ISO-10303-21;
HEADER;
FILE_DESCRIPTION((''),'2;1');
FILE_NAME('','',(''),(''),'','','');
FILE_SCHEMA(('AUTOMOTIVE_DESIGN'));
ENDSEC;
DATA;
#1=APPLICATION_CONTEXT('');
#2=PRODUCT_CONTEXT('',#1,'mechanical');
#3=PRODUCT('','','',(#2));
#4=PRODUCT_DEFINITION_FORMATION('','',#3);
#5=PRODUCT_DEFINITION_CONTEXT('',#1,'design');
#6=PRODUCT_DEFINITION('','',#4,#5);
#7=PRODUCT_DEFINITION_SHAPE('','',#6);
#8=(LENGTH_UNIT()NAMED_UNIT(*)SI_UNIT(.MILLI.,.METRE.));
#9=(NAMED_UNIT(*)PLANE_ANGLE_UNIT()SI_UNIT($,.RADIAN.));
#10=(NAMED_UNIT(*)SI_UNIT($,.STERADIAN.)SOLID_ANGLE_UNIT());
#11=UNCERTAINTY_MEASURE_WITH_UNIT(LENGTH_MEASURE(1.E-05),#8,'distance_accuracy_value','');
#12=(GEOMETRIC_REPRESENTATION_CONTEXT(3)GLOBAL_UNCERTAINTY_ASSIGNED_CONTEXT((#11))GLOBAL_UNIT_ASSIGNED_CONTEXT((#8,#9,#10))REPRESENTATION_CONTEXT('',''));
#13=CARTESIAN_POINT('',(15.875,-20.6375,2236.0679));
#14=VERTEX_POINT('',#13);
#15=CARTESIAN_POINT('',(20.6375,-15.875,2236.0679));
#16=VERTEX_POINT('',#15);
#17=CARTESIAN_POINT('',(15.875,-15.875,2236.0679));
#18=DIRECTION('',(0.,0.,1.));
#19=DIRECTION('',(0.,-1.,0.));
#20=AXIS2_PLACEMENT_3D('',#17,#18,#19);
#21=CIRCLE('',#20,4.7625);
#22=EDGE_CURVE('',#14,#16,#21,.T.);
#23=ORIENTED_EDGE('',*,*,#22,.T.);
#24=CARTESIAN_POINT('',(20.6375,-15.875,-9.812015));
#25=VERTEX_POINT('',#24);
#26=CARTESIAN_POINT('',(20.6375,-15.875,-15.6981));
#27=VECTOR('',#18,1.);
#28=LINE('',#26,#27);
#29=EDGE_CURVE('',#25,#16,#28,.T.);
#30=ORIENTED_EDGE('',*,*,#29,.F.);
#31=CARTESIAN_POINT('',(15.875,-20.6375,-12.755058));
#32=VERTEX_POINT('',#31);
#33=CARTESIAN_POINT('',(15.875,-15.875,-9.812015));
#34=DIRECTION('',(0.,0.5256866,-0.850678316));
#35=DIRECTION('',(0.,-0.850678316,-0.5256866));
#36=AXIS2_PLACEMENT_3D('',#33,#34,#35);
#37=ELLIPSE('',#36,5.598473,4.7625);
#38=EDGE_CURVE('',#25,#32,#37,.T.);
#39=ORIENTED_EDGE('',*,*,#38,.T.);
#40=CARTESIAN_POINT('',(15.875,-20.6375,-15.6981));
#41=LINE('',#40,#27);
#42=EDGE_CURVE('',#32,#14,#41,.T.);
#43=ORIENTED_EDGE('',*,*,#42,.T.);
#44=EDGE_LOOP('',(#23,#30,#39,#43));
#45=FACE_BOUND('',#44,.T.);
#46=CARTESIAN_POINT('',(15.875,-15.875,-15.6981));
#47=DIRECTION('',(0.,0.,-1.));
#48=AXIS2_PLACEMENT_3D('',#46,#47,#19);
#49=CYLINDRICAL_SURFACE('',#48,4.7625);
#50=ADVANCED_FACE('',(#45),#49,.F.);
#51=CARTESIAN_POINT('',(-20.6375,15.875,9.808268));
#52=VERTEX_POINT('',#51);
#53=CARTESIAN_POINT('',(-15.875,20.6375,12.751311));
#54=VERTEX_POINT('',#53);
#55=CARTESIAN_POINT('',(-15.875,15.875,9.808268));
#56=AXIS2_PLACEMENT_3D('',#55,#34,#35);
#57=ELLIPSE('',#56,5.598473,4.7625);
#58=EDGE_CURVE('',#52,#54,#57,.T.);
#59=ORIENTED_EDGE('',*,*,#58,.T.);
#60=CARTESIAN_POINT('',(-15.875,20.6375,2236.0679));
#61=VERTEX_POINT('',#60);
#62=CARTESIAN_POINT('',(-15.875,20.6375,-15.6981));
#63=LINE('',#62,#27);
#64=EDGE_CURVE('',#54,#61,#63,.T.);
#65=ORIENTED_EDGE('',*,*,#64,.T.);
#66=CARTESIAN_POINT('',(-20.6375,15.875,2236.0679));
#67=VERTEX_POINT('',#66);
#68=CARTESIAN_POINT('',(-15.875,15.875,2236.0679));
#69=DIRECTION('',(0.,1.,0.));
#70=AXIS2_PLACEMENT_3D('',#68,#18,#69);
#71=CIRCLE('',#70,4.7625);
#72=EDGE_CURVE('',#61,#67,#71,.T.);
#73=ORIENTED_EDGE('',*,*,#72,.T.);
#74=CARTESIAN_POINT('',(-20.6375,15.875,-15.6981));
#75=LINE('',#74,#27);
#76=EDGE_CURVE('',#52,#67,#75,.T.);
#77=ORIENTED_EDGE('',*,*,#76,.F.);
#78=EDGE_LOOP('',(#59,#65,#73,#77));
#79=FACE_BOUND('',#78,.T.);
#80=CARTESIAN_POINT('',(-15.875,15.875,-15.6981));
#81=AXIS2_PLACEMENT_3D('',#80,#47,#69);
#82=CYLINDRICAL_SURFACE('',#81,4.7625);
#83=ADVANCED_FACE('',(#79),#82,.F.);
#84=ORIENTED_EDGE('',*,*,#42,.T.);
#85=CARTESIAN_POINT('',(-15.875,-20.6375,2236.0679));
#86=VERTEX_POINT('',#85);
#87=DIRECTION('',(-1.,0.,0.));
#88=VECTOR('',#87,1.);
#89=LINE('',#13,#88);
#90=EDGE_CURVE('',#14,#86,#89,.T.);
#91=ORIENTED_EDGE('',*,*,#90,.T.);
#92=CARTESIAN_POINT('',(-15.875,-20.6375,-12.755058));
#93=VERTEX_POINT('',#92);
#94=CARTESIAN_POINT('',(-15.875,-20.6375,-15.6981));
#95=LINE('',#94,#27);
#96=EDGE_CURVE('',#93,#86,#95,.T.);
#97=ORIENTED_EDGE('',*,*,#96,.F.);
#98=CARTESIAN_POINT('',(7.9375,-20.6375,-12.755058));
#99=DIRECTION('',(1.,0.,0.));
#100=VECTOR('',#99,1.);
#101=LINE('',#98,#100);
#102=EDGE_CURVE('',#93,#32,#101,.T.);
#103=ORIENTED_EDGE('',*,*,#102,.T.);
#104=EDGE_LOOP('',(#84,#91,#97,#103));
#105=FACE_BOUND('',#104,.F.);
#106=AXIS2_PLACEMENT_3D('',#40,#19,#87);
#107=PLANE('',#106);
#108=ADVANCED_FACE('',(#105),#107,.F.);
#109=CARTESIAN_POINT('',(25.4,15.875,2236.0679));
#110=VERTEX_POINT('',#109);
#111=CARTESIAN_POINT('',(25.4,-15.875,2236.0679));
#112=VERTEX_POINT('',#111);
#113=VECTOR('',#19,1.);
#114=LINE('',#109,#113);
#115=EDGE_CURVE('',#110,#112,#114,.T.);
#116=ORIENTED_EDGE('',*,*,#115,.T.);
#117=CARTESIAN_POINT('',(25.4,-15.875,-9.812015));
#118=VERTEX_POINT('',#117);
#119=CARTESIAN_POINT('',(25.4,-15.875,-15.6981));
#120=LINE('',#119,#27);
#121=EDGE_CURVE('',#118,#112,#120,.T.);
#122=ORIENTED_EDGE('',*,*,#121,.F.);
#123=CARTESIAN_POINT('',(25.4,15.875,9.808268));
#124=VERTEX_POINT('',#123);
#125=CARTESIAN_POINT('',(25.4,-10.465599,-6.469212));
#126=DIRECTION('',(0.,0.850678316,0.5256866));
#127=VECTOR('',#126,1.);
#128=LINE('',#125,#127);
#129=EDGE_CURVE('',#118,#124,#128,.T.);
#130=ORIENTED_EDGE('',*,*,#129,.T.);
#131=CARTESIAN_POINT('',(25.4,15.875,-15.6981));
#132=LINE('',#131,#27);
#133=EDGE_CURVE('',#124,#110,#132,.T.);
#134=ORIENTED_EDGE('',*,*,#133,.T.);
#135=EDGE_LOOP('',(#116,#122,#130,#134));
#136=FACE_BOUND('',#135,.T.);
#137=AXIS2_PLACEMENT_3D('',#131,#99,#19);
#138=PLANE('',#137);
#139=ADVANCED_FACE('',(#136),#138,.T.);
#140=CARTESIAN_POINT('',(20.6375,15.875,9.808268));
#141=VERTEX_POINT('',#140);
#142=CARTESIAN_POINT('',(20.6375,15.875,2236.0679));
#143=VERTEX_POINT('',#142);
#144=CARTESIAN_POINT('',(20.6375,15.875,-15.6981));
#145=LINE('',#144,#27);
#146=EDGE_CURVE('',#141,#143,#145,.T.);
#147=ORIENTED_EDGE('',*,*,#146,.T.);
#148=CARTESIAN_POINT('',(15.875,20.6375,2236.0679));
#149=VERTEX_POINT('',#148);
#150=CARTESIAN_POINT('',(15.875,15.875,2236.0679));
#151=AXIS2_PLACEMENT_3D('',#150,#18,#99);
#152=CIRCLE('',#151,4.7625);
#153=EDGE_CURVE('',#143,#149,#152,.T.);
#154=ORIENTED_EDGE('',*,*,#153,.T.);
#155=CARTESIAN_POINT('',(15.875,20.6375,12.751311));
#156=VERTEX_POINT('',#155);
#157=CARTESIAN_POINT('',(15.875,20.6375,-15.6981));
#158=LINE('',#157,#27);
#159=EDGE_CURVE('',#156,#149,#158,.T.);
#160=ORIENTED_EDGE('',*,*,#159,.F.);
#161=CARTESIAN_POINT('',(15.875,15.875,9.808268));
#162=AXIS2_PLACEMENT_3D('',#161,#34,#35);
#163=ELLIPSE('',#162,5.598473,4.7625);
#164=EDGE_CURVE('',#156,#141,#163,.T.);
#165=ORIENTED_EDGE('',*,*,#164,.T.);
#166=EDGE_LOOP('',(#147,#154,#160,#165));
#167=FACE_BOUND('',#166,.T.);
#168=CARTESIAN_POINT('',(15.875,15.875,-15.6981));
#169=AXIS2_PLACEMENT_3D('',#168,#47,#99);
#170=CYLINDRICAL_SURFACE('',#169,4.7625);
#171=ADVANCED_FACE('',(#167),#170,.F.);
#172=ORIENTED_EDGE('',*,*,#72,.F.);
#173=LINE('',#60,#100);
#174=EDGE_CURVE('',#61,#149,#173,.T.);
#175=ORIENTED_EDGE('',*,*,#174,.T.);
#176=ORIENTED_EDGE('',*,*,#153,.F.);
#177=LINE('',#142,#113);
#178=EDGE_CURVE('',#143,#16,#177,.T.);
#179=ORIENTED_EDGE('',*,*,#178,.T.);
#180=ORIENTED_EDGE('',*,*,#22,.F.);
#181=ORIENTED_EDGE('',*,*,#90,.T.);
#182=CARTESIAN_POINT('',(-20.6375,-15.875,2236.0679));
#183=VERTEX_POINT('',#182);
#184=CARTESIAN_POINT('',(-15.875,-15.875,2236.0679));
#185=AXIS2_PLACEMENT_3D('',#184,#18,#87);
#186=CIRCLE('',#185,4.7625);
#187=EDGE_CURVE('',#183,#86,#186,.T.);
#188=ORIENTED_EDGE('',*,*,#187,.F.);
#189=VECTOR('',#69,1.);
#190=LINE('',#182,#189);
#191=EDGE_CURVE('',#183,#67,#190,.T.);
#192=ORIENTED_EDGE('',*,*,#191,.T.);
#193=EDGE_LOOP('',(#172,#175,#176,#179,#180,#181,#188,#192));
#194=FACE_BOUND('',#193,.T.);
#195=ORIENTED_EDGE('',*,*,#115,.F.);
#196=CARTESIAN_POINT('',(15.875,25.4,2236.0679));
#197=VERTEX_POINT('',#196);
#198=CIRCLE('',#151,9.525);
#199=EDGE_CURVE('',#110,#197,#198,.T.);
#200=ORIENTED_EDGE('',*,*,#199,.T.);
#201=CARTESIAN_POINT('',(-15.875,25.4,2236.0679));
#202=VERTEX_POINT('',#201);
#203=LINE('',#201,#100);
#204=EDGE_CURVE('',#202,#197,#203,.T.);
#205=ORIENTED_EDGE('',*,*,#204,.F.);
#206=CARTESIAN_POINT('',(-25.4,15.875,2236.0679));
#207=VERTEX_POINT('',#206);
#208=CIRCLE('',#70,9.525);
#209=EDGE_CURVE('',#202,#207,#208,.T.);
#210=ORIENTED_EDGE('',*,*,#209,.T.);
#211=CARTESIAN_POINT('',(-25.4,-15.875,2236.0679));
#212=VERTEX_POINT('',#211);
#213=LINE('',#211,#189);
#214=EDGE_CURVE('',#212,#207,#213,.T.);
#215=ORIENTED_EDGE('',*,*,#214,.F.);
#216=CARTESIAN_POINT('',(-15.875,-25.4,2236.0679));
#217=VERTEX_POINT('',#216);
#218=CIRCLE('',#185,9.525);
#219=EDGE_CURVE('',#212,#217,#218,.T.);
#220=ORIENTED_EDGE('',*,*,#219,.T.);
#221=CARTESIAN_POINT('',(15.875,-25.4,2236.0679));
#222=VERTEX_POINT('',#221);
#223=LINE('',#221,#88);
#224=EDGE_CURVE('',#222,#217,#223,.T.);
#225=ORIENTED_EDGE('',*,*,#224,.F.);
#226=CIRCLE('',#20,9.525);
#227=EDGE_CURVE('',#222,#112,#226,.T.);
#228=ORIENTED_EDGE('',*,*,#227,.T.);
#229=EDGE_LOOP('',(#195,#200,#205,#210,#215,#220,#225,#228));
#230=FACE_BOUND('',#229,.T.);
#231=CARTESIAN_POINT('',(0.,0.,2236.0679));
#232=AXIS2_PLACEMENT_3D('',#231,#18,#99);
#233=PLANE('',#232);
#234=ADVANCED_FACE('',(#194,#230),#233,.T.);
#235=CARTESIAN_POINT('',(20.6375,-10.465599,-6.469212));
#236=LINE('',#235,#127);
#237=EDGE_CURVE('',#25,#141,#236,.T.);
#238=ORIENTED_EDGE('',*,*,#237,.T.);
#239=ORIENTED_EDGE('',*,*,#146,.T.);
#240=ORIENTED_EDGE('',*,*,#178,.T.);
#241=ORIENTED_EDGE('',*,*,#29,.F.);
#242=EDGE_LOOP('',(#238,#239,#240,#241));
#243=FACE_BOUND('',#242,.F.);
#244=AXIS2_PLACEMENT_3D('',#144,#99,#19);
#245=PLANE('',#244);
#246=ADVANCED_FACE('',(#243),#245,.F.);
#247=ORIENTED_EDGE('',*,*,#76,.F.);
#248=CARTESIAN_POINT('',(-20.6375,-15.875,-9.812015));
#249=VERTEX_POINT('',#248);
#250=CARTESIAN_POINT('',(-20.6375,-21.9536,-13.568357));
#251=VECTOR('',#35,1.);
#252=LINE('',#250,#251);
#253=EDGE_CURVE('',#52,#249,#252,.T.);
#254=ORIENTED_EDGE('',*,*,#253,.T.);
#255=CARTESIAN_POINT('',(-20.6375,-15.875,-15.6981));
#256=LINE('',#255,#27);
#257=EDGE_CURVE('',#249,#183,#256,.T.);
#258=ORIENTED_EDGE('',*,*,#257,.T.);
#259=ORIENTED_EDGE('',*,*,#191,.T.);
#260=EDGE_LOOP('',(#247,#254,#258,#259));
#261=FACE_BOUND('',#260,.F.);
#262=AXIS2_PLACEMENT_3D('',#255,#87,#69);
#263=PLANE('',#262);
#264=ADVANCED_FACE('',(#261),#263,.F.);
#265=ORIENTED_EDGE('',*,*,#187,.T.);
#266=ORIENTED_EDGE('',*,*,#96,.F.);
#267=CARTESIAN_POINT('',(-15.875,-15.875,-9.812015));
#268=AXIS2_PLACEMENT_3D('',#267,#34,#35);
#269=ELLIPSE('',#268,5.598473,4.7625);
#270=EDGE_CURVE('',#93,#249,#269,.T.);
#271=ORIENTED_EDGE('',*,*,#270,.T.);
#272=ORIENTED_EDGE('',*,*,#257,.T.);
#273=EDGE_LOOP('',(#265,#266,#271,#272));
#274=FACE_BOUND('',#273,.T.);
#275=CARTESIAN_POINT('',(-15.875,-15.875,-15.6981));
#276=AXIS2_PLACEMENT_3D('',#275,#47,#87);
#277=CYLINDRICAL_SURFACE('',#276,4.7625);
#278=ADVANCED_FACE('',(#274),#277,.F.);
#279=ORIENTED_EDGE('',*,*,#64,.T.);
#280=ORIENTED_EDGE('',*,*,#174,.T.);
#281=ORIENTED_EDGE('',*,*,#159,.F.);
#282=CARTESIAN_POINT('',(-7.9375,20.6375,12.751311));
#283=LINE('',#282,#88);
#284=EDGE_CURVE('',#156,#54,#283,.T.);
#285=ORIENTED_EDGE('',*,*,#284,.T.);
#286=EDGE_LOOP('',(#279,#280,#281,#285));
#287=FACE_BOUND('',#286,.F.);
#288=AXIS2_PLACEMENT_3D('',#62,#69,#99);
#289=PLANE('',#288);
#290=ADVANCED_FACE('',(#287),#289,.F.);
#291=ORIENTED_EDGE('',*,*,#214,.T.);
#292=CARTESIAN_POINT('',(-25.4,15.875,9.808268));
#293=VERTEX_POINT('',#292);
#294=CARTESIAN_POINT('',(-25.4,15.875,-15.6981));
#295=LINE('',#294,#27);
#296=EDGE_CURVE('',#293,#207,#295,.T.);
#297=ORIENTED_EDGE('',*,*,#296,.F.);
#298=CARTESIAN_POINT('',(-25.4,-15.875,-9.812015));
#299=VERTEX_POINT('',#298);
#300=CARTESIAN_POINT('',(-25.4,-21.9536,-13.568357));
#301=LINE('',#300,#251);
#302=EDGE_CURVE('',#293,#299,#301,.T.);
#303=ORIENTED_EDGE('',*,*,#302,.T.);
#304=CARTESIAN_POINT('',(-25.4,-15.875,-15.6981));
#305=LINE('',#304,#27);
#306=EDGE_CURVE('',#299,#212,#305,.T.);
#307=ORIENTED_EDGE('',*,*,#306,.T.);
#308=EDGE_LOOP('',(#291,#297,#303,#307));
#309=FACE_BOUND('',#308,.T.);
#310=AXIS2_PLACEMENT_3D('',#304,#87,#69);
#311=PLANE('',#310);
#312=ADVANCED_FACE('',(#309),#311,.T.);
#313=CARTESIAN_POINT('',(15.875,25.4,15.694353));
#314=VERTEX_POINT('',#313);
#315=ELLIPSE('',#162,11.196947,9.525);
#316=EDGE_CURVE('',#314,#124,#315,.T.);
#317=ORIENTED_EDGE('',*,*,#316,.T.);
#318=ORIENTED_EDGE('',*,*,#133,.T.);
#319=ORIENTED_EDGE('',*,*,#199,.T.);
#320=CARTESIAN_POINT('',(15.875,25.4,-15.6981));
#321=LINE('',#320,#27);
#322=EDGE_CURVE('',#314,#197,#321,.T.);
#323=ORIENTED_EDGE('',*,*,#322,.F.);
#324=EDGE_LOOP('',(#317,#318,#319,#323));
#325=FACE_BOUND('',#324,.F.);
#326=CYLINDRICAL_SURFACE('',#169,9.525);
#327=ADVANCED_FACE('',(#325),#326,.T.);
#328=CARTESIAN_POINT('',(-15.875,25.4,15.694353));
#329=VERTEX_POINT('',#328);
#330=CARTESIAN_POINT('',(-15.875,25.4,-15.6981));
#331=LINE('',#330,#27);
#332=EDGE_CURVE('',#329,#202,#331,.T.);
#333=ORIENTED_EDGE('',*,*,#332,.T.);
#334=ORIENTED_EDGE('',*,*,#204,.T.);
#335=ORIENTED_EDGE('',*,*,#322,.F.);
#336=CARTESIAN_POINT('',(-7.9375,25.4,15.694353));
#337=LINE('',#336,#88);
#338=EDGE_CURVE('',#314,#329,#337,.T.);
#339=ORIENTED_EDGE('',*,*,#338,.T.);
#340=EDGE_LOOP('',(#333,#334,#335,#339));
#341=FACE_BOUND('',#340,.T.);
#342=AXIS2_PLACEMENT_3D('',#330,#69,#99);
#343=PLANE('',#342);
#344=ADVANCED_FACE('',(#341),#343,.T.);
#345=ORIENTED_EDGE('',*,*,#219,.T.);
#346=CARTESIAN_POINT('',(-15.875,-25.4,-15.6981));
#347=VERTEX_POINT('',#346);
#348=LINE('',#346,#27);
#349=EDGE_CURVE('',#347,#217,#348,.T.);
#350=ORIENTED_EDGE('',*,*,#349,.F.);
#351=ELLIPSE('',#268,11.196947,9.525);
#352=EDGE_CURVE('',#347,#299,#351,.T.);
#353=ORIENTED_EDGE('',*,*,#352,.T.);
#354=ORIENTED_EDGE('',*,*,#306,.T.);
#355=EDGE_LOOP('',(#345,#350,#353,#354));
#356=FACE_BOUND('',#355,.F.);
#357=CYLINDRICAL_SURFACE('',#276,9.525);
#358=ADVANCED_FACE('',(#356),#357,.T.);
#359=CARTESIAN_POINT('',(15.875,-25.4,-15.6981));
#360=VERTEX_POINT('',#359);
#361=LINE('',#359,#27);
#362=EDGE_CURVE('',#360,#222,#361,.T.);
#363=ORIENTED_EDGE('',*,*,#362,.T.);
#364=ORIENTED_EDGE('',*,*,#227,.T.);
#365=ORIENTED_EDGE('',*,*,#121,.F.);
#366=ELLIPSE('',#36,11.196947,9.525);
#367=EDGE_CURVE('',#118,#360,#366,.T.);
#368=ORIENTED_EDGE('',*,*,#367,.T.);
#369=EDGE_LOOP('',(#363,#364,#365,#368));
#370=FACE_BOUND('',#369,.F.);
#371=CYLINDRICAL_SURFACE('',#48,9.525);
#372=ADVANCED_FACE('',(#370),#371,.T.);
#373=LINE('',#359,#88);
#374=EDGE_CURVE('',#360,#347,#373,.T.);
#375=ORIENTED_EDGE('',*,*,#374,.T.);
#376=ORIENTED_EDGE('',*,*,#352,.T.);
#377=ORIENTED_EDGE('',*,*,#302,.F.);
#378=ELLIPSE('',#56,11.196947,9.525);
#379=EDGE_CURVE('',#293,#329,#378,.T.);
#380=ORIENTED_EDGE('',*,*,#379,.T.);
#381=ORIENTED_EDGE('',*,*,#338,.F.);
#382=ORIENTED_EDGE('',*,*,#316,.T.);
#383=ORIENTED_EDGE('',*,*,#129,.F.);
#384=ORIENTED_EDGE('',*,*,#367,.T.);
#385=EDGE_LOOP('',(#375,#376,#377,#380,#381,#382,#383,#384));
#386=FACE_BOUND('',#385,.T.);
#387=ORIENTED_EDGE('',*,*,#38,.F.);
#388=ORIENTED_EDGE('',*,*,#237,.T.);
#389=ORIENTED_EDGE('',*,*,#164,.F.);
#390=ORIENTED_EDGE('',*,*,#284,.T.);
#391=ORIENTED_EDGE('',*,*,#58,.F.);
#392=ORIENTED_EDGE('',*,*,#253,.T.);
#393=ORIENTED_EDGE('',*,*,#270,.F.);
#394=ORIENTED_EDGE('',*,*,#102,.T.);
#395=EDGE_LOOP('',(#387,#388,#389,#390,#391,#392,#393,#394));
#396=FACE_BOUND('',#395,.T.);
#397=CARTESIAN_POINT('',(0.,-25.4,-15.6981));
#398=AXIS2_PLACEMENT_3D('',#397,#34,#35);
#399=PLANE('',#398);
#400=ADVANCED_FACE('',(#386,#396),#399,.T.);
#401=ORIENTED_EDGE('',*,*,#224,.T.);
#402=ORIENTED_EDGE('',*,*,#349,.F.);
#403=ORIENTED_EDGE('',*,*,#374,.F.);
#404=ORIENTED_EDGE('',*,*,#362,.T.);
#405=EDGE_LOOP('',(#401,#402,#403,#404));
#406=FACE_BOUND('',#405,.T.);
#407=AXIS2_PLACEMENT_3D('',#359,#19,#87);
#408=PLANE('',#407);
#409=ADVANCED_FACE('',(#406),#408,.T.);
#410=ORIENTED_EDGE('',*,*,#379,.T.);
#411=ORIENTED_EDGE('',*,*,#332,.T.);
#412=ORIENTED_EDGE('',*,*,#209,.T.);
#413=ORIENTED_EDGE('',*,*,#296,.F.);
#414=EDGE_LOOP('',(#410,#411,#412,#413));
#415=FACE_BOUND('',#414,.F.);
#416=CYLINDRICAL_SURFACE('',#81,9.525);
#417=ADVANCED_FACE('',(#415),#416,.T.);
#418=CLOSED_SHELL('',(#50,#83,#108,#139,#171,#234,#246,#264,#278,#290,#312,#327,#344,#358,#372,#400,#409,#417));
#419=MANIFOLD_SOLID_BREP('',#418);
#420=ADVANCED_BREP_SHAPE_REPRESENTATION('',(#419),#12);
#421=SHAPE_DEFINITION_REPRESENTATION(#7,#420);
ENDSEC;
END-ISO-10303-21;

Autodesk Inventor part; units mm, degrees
ref_plane "Plano inicial" through (0, 0, -15.6981) normal (0, 0, 1) x (1, 0, 0)
ref_plane "Plano final" through (0, 0, 2236.068) normal (0, 0, 1) x (1, 0, 0)
sketch "Esboço" plane through (0, 0, 0) normal (0, 0, 1) x (1, 0, 0)
  line L0 (-25.4, -15.875) -> (-25.4, 15.875)
  line L1 (-15.875, 25.4) -> (15.875, 25.4)
  line L2 (25.4, 15.875) -> (25.4, -15.875)
  line L3 (15.875, -25.4) -> (-15.875, -25.4)
  arc A0 (-25.4, -15.875) -> (-15.875, -25.4) centre (-15.875, -15.875) ccw
  arc A1 (-15.875, 25.4) -> (-25.4, 15.875) centre (-15.875, 15.875) ccw
  arc A2 (25.4, 15.875) -> (15.875, 25.4) centre (15.875, 15.875) ccw
  arc A3 (15.875, -25.4) -> (25.4, -15.875) centre (15.875, -15.875) ccw
  arc A4 (-15.875, 20.6375) -> (-20.6375, 15.875) centre (-15.875, 15.875) ccw
  line L4 (-15.875, 20.6375) -> (15.875, 20.6375)
  arc A5 (20.6375, 15.875) -> (15.875, 20.6375) centre (15.875, 15.875) ccw
  line L5 (20.6375, 15.875) -> (20.6375, -15.875)
  arc A6 (15.875, -20.6375) -> (20.6375, -15.875) centre (15.875, -15.875) ccw
  line L6 (15.875, -20.6375) -> (-15.875, -20.6375)
  arc A7 (-20.6375, -15.875) -> (-15.875, -20.6375) centre (-15.875, -15.875) ccw
  line L7 (-20.6375, -15.875) -> (-20.6375, 15.875)
  line L8 (0, 38.3218) -> (0, -38.3218) construction
  line L9 (-38.3218, 0) -> (38.3218, 0) construction
  dimension "d10" = 50.8
  dimension "d11" = 50.8
  dimension "d12" = 4.7625
  dimension "d15" = 25.4
  dimension "d16" = 25.4
  dimension "d17" = 9.525
extrude "Corpo" add sketch "Esboço" along normal up to surface (2251.766 mm away) from surface at -15.6981
sketch "Sketch3" plane through (0, 0, 0) normal (0, 0, 1) x (1, 0, 0)
  line L0 (0, 0) -> (10, 0)
ref_plane "Work Plane3" through (0, 0, 0) normal (0, -1, 0) x (1, 0, 0)
sketch "Sketch4" plane through (0, 0, 0) normal (0, -1, 0) x (1, 0, 0)
  line L0 (-2, -15.6981) -> (12, -15.6981)
  line L1 (-2, 2236.068) -> (12, 2236.068)
  dimension "d19" = 2251.766
ref_plane "Plano de trabalho4" through (0, -25.4, -15.6981) normal (0, 0.5257, -0.8507) x (1, 0, 0)
split "Dividir1" plane through (0, -25.4, -15.6981) removes the side toward (0, 0.5257, -0.8507)
equation "\"d10\" = G_H"
equation "\"d11\" = G_W"
equation "\"d12\" = G_T"
equation "\"d15\" = 0.5 * d10"
equation "\"d16\" = 0.5 * d11"
equation "\"d17\" = G_IR"
equation "\"d3\" = G_L"
equation "\"G_W\" = 50.8"
equation "\"G_H\" = 50.8"
equation "\"G_T\" = 4.7625"
equation "\"G_IR\" = 9.525"
equation "\"G_L\" = d19"
equation "\"G_OFFSET_START\" = 15.69806"
equation "\"G_OFFSET_END\" = 0"
equation "\"d13\" = -G_OFFSET_START"
equation "\"d14\" = G_OFFSET_END + B_L"
equation "\"B_L\" = 2236.06798"
properties part number "AISC - 2 x 2 x 3/16 - 88,652" material "Aço, suave"
